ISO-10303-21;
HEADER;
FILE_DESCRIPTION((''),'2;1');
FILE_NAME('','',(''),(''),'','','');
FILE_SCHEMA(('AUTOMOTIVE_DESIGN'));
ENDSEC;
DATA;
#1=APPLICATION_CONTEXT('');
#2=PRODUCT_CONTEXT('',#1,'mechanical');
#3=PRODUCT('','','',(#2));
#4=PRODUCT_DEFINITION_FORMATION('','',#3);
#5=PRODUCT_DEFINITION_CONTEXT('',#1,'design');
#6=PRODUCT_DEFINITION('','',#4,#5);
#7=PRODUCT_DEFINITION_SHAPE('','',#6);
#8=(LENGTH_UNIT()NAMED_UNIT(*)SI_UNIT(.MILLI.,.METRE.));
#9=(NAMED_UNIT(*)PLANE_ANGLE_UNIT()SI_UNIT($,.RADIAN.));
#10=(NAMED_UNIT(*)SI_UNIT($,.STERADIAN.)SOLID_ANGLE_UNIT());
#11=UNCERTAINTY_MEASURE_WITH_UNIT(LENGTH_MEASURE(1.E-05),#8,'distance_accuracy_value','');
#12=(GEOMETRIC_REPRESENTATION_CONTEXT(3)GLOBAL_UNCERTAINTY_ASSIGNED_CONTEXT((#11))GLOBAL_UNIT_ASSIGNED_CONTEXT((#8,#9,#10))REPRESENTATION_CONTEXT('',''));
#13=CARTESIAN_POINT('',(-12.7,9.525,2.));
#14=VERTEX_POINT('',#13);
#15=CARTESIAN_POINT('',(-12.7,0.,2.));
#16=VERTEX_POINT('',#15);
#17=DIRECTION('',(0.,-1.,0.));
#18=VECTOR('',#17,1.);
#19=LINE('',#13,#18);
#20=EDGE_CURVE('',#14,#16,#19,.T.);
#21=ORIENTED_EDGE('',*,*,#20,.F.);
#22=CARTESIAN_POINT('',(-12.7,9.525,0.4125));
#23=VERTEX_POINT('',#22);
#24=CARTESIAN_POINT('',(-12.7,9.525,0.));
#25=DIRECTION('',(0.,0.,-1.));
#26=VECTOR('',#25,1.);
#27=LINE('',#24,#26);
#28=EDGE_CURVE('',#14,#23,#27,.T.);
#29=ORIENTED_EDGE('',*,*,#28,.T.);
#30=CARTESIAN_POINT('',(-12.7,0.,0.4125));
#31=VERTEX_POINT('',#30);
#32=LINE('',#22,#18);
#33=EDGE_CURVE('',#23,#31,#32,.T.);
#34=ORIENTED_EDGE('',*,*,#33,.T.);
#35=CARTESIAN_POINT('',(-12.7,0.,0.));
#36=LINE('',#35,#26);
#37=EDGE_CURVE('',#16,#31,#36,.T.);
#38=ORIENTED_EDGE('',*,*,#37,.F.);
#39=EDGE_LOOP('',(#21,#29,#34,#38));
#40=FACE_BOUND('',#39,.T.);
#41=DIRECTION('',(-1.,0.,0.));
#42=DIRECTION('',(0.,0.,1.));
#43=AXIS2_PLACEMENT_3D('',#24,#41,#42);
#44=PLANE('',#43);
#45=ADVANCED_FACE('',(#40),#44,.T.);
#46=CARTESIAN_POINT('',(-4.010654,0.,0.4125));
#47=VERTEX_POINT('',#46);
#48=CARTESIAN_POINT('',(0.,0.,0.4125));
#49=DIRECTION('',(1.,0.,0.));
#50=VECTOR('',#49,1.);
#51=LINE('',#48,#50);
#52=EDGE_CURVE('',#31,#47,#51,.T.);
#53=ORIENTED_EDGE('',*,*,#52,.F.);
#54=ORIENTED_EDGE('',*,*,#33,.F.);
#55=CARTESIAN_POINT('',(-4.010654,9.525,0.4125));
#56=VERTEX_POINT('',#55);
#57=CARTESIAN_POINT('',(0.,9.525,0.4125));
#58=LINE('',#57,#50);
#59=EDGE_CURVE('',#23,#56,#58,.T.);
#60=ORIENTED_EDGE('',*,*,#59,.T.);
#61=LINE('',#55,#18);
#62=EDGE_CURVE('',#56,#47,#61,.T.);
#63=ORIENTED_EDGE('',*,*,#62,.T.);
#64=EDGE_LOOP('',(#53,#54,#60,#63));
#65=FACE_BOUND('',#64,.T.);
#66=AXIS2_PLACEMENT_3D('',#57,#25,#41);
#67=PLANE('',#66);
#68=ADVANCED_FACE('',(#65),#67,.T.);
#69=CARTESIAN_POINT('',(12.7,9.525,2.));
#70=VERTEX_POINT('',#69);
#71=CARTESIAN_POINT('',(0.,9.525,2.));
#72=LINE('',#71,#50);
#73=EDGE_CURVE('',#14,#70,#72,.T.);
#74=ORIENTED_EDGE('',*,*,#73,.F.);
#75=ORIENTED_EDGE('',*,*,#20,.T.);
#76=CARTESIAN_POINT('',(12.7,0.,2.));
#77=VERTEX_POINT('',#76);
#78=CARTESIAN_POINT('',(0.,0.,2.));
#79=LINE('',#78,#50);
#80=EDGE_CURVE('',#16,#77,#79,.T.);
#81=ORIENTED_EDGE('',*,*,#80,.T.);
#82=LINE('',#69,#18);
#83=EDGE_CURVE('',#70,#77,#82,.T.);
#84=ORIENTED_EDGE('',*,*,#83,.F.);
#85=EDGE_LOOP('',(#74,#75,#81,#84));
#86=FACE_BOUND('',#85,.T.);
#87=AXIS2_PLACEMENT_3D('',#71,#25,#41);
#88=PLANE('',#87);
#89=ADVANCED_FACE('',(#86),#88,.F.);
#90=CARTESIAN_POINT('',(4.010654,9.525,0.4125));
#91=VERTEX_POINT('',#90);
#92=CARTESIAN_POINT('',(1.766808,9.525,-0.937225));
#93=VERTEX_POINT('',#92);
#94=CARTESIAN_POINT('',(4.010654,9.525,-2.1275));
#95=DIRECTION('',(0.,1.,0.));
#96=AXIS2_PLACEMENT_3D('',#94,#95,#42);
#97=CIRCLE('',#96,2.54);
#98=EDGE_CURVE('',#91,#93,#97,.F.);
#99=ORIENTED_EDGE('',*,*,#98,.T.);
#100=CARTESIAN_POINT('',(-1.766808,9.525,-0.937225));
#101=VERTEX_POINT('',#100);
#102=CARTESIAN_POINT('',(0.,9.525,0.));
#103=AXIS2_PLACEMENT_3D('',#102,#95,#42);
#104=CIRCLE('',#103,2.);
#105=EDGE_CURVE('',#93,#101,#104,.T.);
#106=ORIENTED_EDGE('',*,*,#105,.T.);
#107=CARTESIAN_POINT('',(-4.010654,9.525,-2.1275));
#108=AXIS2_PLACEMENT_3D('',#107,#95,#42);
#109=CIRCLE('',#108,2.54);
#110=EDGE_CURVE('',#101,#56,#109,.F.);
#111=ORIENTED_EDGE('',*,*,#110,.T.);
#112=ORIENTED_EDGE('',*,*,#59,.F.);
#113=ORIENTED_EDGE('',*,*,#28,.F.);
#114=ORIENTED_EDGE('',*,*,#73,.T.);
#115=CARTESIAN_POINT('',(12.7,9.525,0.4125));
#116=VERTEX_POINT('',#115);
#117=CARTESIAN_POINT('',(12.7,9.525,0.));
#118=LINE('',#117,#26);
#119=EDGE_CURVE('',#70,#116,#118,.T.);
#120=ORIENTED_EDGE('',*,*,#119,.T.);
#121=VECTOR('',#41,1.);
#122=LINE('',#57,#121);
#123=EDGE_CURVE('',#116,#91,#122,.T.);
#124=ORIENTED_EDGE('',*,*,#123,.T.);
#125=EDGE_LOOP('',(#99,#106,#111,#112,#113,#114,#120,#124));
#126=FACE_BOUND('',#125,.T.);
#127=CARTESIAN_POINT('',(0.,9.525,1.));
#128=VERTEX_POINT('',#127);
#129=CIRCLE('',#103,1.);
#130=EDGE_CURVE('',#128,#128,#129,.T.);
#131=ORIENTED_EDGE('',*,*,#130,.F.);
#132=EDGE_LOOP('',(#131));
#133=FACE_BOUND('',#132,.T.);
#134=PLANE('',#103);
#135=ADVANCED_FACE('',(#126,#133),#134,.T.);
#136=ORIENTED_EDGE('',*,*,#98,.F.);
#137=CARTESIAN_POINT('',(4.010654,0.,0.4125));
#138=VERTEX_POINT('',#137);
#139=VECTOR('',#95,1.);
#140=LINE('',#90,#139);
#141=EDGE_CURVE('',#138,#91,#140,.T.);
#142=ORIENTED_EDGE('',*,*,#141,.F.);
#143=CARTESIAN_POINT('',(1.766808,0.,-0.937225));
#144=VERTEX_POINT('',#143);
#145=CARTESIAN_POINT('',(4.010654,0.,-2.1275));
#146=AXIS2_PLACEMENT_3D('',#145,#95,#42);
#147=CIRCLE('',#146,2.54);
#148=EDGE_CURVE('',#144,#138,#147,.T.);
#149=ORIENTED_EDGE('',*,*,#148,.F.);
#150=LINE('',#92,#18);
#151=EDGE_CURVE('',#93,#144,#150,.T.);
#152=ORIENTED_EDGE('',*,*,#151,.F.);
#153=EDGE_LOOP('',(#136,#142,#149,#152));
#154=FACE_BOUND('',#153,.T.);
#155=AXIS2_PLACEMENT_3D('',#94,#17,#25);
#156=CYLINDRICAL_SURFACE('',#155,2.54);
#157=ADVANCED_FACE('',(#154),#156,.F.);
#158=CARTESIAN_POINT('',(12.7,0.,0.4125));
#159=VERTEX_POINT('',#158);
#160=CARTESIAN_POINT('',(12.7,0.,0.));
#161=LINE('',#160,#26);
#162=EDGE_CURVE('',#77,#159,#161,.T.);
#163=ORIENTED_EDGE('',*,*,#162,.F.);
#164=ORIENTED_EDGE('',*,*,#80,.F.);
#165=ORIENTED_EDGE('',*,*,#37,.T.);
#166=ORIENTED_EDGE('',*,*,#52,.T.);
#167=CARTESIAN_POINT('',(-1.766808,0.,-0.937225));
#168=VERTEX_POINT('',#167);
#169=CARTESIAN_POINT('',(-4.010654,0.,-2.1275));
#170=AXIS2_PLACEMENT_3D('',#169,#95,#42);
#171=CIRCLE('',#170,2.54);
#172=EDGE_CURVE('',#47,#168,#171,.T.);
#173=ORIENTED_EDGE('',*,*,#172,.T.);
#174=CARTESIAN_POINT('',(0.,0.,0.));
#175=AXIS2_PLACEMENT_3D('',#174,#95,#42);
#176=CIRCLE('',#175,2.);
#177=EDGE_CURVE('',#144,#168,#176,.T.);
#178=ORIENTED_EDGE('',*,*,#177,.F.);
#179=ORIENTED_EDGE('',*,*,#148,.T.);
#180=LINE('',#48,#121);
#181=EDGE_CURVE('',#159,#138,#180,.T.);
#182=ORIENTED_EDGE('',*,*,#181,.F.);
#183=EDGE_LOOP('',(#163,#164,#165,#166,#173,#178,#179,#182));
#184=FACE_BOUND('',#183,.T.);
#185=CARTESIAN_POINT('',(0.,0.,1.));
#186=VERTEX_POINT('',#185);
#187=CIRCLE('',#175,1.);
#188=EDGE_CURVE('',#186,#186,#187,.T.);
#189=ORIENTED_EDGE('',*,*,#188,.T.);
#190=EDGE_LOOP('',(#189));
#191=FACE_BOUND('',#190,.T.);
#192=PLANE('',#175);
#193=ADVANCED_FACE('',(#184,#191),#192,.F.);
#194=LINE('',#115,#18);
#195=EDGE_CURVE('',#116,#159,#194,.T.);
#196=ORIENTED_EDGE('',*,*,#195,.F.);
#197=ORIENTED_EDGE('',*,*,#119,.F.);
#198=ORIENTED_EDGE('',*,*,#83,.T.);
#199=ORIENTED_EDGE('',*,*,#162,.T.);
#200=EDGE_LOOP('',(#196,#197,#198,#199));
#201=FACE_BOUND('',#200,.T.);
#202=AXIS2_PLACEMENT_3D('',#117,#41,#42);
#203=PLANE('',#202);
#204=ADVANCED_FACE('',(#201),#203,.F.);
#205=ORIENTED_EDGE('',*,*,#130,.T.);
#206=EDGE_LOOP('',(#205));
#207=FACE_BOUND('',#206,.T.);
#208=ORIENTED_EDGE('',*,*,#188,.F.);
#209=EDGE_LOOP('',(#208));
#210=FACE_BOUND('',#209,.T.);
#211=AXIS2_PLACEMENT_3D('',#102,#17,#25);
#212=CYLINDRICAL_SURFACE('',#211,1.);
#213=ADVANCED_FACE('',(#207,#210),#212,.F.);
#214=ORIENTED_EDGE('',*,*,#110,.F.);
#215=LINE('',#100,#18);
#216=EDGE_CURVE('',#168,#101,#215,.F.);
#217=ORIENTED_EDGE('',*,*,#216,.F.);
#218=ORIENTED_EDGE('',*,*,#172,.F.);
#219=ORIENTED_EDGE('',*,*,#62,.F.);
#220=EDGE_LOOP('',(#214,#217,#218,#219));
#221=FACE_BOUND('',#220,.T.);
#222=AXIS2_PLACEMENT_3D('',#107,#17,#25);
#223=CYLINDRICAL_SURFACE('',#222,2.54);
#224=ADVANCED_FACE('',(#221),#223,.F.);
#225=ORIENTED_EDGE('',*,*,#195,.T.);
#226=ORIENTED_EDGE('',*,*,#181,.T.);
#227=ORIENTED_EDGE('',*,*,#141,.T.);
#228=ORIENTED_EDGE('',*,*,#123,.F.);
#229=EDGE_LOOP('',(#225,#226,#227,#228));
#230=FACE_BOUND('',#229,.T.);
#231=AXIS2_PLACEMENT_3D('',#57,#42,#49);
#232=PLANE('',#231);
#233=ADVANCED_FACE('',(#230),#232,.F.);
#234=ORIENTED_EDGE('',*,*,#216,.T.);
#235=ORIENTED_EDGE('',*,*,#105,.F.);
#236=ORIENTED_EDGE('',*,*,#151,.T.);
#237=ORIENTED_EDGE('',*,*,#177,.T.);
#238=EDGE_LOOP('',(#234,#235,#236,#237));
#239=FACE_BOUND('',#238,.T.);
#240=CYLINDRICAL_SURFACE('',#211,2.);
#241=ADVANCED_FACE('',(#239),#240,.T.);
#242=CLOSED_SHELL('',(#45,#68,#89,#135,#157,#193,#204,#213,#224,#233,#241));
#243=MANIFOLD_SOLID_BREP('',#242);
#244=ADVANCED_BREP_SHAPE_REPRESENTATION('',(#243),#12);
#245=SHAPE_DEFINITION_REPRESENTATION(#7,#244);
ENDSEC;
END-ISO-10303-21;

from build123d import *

# Parameters (mm, degrees)
SKETCH1_R           = 1
BOSS_EXTRUDE1_DEPTH = 9.525
FILLET1_R           = 2.54


with BuildPart() as part:
    # Sketch1 → Boss-Extrude1 (new body)
    with BuildSketch(Plane(origin=(0, 0, 0), x_dir=(1, 0, 0), z_dir=(0, 1, 0))):
        with BuildLine():
            Line((-12.7, -0.4125), (-12.7, -2))
            Line((-12.7, -2), (12.7, -2))
            Line((12.7, -2), (12.7, -0.4125))
            Line((12.7, -0.4125), (1.956998659, -0.4125))
            ThreePointArc((1.956998659, -0.4125), (0, 2), (-1.956998659, -0.4125))
            Line((-1.956998659, -0.4125), (-12.7, -0.4125))
        make_face()
        Circle(SKETCH1_R, mode=Mode.SUBTRACT)
    extrude(amount=BOSS_EXTRUDE1_DEPTH)

    # Fillet1
    fillet1_edges = [part.edges().sort_by_distance(p)[0] for p in [
        (-1.956998659, 4.7625, 0.4125),
        (1.956998659, 4.7625, 0.4125),
    ]]
    fillet(fillet1_edges, radius=FILLET1_R)


solid = part.part
